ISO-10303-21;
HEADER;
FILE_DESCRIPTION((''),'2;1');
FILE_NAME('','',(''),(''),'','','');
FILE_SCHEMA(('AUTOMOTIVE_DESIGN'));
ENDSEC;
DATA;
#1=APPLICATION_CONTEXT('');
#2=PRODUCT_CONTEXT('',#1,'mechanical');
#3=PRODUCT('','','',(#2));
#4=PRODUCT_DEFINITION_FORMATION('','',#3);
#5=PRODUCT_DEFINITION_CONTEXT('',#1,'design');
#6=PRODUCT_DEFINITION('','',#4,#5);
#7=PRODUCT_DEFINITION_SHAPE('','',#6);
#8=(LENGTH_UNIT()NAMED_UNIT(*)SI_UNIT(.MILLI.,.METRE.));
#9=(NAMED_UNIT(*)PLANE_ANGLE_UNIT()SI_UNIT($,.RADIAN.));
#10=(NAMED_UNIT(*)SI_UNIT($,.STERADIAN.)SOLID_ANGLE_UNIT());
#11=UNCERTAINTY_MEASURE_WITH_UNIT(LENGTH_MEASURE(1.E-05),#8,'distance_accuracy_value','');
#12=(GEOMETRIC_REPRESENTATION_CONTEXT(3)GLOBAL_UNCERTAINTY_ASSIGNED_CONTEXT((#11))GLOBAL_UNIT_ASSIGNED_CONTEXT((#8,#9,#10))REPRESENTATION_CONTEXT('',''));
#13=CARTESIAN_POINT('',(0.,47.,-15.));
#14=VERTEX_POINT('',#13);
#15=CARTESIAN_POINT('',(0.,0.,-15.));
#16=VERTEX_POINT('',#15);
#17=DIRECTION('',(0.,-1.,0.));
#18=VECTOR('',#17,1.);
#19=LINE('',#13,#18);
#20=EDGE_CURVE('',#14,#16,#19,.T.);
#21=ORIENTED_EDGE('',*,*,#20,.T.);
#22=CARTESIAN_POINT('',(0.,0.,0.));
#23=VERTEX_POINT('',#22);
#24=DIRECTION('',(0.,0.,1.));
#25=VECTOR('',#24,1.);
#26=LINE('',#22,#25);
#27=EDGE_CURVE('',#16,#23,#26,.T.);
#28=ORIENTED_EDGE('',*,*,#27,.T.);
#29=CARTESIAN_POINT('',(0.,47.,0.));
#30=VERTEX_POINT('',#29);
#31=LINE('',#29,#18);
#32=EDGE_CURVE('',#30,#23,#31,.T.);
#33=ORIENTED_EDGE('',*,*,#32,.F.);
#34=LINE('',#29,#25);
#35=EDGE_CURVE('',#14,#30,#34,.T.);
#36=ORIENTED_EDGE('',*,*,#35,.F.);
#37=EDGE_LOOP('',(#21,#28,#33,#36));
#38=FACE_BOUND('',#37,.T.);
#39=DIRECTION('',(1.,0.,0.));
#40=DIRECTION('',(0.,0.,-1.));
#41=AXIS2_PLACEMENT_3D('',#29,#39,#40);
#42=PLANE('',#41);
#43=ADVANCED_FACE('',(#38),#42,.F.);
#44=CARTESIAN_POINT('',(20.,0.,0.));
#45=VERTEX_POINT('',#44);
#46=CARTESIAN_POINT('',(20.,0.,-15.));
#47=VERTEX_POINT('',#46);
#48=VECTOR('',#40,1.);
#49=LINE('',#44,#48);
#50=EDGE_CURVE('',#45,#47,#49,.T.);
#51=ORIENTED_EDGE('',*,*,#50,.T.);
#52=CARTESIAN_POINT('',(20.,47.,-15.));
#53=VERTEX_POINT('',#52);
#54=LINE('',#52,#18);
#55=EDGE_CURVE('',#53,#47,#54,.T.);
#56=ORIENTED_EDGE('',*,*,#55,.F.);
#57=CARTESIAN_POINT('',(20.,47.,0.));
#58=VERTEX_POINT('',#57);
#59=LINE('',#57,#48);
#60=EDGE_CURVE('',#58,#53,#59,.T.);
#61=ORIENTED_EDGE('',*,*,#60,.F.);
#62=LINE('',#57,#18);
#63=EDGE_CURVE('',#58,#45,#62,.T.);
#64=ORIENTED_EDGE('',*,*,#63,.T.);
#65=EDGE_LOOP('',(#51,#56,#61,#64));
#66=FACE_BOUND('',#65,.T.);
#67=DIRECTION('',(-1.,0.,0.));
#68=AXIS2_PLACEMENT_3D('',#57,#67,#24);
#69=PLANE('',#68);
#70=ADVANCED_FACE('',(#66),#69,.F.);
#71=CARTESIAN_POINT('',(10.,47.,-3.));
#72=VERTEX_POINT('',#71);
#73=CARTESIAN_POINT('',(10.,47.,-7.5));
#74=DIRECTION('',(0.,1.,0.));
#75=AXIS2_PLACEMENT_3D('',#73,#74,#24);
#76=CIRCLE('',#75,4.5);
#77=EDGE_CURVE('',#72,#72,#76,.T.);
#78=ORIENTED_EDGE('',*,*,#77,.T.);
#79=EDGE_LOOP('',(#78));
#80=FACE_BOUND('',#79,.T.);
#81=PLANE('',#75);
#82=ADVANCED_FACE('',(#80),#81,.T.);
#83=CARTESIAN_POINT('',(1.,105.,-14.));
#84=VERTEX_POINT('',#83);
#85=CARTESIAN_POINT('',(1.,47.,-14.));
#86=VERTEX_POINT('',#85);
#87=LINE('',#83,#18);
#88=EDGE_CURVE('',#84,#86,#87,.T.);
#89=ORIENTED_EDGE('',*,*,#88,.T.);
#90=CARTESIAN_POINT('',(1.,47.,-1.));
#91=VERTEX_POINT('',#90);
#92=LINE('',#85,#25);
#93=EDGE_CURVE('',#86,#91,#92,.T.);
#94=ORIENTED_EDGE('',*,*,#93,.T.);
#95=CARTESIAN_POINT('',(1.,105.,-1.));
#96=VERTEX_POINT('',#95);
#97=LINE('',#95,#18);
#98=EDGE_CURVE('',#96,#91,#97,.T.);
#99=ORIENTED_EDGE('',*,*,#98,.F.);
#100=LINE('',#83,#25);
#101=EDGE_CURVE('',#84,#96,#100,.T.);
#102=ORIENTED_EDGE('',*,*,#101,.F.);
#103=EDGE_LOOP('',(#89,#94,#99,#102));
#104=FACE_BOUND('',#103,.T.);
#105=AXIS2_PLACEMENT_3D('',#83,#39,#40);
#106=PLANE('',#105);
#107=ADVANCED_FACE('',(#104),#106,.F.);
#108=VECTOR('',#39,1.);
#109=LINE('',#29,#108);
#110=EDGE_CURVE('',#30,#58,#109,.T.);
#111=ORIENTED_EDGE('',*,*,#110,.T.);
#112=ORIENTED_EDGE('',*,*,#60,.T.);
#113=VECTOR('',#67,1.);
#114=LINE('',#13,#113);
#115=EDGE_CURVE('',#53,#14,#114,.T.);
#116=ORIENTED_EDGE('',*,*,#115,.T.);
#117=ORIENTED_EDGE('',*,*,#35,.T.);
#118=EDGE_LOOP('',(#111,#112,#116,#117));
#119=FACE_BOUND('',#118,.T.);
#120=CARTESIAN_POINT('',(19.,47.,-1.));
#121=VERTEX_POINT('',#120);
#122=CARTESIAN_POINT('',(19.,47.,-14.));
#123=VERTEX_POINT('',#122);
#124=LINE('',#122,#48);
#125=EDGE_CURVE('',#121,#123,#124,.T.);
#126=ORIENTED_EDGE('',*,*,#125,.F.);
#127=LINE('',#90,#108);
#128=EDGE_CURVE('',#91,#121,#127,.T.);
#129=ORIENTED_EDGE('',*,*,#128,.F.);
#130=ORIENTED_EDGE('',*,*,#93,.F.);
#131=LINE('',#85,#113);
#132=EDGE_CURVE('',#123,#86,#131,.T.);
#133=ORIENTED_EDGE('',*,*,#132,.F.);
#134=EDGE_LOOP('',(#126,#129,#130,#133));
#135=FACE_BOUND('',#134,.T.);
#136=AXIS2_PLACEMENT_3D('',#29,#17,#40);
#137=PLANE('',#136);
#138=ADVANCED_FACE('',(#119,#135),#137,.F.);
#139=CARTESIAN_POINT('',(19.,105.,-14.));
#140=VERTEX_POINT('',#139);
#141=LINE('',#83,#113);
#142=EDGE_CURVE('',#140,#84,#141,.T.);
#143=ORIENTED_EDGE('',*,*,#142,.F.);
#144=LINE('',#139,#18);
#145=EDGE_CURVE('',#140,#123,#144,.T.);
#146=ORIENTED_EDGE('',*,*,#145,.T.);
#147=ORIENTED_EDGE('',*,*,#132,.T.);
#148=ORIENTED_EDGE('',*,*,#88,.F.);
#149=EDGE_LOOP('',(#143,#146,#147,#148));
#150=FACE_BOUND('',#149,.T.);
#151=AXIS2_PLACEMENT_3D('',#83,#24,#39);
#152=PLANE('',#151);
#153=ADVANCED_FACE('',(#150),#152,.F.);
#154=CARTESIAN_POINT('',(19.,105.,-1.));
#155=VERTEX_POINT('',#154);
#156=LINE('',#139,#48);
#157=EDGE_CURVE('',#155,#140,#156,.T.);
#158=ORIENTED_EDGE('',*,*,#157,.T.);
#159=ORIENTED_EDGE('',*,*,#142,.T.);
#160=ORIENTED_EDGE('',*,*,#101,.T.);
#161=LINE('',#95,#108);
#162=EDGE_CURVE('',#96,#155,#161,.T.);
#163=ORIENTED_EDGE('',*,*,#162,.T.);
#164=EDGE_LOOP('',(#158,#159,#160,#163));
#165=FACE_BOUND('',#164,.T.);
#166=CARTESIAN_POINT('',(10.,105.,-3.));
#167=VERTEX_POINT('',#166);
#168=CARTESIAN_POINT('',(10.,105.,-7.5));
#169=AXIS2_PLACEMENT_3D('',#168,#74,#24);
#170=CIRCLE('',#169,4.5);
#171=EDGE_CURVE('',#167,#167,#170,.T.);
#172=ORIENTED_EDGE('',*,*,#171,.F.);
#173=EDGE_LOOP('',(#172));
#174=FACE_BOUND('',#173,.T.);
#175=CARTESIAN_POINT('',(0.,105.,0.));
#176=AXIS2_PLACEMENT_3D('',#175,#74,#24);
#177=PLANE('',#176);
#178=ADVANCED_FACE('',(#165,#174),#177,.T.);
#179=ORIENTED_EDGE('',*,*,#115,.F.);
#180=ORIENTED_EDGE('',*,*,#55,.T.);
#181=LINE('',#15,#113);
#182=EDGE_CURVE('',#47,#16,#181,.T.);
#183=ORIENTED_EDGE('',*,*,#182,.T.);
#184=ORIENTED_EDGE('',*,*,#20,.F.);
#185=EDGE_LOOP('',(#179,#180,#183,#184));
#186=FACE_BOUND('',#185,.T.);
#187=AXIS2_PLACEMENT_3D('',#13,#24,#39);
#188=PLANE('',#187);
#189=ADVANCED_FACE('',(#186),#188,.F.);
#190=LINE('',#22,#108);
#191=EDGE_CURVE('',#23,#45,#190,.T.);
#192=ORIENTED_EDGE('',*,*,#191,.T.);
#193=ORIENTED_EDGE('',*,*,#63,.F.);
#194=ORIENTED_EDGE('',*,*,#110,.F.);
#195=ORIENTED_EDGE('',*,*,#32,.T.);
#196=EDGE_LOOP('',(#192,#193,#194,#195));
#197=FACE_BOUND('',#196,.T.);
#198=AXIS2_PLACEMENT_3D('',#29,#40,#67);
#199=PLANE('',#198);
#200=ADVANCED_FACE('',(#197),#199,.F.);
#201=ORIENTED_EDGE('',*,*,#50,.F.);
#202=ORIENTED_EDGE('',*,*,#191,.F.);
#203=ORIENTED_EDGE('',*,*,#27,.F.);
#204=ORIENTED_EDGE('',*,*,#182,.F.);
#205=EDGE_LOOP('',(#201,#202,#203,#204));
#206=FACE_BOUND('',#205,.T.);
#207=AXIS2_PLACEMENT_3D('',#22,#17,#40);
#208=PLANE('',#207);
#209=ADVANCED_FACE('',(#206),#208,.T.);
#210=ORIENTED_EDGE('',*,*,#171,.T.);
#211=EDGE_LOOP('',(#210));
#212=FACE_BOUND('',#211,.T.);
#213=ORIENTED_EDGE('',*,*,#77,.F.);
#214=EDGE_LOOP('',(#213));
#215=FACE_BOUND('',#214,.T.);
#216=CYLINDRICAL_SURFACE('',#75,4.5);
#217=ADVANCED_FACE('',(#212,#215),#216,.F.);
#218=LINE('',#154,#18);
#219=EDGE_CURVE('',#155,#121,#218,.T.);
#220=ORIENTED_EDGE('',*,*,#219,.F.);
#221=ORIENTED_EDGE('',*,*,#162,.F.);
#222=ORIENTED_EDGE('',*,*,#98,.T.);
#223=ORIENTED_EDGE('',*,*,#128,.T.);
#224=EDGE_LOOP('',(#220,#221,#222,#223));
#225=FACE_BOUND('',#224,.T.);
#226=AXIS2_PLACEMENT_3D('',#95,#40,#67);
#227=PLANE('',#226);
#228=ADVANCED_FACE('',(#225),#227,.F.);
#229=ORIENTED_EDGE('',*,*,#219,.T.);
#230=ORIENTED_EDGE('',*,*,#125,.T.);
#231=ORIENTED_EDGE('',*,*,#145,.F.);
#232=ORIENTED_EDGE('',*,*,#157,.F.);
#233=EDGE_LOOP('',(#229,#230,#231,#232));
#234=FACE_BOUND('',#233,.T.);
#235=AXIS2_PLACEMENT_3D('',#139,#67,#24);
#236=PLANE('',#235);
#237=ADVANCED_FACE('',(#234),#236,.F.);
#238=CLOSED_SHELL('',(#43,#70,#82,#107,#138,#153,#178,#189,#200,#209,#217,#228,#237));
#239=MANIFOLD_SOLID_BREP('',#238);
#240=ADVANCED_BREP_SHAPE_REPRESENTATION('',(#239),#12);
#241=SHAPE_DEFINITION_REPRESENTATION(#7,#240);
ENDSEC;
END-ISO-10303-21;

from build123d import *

# Parameters (mm, degrees)
SKETCH1_W           = 20
SKETCH1_H           = 15
BOSS_EXTRUDE1_DEPTH = 47
SKETCH2_W           = 18
SKETCH2_H           = 13
BOSS_EXTRUDE2_DEPTH = 58
SKETCH3_R           = 4.5
CUT_EXTRUDE1_DEPTH  = 58


with BuildPart() as part:
    # Sketch1 → Boss-Extrude1 (new body)
    with BuildSketch(Plane(origin=(0, 0, 0), x_dir=(1, 0, 0), z_dir=(0, 1, 0))):
        with Locations((10, 7.5)):
            Rectangle(SKETCH1_W, SKETCH1_H)
    extrude(amount=BOSS_EXTRUDE1_DEPTH)

    # Sketch2 → Boss-Extrude2 (add)
    with BuildSketch(Plane(origin=(0, 47, 0), x_dir=(1, 0, 0), z_dir=(0, 1, 0))):
        with Locations((10, 7.5)):
            Rectangle(SKETCH2_W, SKETCH2_H)
    extrude(amount=BOSS_EXTRUDE2_DEPTH)

    # Sketch3 → Cut-Extrude1 (cut)
    with BuildSketch(Plane(origin=(0, 105, 0), x_dir=(1, 0, 0), z_dir=(0, 1, 0))):
        with Locations((10, 7.5)):
            Circle(SKETCH3_R)
    extrude(amount=-CUT_EXTRUDE1_DEPTH, mode=Mode.SUBTRACT)


solid = part.part
